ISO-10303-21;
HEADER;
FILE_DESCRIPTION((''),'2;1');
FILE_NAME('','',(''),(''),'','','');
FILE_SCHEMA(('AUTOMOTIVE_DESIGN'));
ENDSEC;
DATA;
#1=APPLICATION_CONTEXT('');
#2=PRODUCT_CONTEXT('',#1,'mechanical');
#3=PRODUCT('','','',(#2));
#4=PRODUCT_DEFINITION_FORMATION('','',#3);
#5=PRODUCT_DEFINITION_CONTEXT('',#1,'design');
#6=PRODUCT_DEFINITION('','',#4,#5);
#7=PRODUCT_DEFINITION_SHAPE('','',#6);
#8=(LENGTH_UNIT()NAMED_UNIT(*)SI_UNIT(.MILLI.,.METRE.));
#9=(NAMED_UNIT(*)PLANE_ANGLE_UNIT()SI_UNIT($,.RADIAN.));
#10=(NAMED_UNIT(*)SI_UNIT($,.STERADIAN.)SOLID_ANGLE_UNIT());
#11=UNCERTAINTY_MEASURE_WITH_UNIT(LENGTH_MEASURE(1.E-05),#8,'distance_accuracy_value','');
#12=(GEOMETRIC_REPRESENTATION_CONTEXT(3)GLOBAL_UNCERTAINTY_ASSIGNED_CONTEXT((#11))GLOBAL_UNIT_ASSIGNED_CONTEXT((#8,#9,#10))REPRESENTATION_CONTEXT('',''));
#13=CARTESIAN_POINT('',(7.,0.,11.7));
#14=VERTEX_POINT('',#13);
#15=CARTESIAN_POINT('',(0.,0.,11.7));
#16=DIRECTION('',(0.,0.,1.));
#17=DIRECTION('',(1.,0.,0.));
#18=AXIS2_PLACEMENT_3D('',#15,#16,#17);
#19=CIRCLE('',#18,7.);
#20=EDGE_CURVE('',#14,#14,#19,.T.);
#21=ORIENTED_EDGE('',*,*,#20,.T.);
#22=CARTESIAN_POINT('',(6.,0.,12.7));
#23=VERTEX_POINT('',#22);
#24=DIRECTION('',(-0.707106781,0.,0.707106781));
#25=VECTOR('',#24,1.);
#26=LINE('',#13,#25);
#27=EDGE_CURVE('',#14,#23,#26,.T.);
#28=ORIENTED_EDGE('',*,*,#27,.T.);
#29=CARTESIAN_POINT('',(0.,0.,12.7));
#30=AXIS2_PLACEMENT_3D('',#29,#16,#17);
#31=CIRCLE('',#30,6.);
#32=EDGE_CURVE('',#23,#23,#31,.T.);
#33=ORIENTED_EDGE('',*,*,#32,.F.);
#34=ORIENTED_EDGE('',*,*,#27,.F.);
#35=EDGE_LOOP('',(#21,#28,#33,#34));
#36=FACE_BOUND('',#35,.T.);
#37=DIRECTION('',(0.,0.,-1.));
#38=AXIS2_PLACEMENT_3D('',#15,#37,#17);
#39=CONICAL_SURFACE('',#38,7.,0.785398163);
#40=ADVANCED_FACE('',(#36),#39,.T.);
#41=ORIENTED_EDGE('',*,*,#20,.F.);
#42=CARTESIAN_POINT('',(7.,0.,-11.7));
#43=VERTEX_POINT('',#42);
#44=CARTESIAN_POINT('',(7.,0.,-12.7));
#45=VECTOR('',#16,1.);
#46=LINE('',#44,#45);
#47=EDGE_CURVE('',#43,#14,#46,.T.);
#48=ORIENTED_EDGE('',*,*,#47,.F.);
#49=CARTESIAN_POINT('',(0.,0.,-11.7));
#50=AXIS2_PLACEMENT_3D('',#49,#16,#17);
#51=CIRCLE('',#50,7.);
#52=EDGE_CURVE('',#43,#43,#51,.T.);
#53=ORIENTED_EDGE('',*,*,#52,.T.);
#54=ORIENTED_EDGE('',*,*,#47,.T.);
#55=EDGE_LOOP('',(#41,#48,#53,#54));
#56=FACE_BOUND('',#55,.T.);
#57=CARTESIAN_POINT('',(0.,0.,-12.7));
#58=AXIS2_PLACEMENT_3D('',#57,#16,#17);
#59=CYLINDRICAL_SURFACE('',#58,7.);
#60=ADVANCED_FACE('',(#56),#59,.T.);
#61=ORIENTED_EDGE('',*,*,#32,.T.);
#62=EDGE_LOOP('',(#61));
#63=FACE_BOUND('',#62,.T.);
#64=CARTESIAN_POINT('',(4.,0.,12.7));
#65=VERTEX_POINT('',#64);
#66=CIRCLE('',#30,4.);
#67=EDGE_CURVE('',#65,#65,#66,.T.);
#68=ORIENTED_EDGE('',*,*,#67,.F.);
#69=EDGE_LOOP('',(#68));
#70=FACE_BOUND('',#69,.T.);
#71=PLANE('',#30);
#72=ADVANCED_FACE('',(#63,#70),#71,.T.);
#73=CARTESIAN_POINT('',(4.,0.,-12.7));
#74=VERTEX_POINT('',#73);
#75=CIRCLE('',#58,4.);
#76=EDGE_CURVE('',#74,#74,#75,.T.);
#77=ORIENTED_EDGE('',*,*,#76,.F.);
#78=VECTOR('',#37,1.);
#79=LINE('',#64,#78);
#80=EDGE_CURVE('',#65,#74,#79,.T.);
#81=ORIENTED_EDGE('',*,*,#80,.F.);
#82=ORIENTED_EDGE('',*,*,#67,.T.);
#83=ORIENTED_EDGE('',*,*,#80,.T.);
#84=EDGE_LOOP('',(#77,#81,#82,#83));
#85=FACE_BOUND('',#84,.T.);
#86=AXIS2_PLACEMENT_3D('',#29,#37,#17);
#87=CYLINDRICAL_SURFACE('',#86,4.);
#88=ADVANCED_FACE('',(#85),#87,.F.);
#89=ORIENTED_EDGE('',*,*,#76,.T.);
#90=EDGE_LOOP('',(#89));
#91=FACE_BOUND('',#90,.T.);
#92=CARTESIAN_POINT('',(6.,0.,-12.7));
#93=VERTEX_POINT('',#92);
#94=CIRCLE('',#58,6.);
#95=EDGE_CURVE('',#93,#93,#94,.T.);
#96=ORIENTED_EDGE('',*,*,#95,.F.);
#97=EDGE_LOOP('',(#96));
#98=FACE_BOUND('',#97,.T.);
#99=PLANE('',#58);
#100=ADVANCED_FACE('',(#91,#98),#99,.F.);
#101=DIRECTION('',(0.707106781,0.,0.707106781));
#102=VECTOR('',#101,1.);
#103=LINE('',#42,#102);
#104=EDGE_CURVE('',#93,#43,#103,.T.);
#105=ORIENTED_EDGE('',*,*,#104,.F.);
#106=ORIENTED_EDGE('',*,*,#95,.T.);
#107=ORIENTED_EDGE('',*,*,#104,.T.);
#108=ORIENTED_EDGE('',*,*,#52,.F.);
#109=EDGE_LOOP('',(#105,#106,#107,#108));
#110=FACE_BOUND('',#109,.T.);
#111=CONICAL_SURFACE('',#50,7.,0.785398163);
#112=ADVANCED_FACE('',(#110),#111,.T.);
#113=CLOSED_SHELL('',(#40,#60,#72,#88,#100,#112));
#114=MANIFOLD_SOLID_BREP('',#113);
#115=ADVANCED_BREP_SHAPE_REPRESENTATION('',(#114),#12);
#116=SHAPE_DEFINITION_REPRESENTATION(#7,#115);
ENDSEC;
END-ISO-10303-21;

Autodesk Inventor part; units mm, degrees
ref_plane "YZ Plane" through (0, 0, 0) normal (1, 0, 0) x (0, 1, 0)
ref_plane "XZ Plane" through (0, 0, 0) normal (0, 1, 0) x (-1, 0, 0)
ref_plane "XY Plane" through (0, 0, 0) normal (0, 0, 1) x (1, 0, 0)
sketch "Sketch1" plane through (0, 0, 0) normal (0, 1, 0) x (-1, 0, 0)
  line L0 (-4, -12.7) -> (-7, -12.7)
  line L1 (-7, -12.7) -> (-7, 12.7)
  line L2 (-7, 12.7) -> (-4, 12.7)
  line L3 (-4, 12.7) -> (-4, -12.7)
  line L4 (0, -17.78) -> (0, 17.78) construction
  line L5 (1.4, 0) -> (-8.4, 0) construction
  point P0 (0, 0)
  point P1 (-4, 0)
  dimension "d0" = 8
  dimension "d1" = 14
  dimension "d2" = 25.4
revolve "Revolution1" add sketch "Sketch1" angle 360 about axis through (0, 0, -10) along (0, 0, 1)
chamfer "Chamfer1" distance 1 angle 45 2 edges at (-7, 0, 12.7) (-7, 0, -12.7)
properties part number "acople"
